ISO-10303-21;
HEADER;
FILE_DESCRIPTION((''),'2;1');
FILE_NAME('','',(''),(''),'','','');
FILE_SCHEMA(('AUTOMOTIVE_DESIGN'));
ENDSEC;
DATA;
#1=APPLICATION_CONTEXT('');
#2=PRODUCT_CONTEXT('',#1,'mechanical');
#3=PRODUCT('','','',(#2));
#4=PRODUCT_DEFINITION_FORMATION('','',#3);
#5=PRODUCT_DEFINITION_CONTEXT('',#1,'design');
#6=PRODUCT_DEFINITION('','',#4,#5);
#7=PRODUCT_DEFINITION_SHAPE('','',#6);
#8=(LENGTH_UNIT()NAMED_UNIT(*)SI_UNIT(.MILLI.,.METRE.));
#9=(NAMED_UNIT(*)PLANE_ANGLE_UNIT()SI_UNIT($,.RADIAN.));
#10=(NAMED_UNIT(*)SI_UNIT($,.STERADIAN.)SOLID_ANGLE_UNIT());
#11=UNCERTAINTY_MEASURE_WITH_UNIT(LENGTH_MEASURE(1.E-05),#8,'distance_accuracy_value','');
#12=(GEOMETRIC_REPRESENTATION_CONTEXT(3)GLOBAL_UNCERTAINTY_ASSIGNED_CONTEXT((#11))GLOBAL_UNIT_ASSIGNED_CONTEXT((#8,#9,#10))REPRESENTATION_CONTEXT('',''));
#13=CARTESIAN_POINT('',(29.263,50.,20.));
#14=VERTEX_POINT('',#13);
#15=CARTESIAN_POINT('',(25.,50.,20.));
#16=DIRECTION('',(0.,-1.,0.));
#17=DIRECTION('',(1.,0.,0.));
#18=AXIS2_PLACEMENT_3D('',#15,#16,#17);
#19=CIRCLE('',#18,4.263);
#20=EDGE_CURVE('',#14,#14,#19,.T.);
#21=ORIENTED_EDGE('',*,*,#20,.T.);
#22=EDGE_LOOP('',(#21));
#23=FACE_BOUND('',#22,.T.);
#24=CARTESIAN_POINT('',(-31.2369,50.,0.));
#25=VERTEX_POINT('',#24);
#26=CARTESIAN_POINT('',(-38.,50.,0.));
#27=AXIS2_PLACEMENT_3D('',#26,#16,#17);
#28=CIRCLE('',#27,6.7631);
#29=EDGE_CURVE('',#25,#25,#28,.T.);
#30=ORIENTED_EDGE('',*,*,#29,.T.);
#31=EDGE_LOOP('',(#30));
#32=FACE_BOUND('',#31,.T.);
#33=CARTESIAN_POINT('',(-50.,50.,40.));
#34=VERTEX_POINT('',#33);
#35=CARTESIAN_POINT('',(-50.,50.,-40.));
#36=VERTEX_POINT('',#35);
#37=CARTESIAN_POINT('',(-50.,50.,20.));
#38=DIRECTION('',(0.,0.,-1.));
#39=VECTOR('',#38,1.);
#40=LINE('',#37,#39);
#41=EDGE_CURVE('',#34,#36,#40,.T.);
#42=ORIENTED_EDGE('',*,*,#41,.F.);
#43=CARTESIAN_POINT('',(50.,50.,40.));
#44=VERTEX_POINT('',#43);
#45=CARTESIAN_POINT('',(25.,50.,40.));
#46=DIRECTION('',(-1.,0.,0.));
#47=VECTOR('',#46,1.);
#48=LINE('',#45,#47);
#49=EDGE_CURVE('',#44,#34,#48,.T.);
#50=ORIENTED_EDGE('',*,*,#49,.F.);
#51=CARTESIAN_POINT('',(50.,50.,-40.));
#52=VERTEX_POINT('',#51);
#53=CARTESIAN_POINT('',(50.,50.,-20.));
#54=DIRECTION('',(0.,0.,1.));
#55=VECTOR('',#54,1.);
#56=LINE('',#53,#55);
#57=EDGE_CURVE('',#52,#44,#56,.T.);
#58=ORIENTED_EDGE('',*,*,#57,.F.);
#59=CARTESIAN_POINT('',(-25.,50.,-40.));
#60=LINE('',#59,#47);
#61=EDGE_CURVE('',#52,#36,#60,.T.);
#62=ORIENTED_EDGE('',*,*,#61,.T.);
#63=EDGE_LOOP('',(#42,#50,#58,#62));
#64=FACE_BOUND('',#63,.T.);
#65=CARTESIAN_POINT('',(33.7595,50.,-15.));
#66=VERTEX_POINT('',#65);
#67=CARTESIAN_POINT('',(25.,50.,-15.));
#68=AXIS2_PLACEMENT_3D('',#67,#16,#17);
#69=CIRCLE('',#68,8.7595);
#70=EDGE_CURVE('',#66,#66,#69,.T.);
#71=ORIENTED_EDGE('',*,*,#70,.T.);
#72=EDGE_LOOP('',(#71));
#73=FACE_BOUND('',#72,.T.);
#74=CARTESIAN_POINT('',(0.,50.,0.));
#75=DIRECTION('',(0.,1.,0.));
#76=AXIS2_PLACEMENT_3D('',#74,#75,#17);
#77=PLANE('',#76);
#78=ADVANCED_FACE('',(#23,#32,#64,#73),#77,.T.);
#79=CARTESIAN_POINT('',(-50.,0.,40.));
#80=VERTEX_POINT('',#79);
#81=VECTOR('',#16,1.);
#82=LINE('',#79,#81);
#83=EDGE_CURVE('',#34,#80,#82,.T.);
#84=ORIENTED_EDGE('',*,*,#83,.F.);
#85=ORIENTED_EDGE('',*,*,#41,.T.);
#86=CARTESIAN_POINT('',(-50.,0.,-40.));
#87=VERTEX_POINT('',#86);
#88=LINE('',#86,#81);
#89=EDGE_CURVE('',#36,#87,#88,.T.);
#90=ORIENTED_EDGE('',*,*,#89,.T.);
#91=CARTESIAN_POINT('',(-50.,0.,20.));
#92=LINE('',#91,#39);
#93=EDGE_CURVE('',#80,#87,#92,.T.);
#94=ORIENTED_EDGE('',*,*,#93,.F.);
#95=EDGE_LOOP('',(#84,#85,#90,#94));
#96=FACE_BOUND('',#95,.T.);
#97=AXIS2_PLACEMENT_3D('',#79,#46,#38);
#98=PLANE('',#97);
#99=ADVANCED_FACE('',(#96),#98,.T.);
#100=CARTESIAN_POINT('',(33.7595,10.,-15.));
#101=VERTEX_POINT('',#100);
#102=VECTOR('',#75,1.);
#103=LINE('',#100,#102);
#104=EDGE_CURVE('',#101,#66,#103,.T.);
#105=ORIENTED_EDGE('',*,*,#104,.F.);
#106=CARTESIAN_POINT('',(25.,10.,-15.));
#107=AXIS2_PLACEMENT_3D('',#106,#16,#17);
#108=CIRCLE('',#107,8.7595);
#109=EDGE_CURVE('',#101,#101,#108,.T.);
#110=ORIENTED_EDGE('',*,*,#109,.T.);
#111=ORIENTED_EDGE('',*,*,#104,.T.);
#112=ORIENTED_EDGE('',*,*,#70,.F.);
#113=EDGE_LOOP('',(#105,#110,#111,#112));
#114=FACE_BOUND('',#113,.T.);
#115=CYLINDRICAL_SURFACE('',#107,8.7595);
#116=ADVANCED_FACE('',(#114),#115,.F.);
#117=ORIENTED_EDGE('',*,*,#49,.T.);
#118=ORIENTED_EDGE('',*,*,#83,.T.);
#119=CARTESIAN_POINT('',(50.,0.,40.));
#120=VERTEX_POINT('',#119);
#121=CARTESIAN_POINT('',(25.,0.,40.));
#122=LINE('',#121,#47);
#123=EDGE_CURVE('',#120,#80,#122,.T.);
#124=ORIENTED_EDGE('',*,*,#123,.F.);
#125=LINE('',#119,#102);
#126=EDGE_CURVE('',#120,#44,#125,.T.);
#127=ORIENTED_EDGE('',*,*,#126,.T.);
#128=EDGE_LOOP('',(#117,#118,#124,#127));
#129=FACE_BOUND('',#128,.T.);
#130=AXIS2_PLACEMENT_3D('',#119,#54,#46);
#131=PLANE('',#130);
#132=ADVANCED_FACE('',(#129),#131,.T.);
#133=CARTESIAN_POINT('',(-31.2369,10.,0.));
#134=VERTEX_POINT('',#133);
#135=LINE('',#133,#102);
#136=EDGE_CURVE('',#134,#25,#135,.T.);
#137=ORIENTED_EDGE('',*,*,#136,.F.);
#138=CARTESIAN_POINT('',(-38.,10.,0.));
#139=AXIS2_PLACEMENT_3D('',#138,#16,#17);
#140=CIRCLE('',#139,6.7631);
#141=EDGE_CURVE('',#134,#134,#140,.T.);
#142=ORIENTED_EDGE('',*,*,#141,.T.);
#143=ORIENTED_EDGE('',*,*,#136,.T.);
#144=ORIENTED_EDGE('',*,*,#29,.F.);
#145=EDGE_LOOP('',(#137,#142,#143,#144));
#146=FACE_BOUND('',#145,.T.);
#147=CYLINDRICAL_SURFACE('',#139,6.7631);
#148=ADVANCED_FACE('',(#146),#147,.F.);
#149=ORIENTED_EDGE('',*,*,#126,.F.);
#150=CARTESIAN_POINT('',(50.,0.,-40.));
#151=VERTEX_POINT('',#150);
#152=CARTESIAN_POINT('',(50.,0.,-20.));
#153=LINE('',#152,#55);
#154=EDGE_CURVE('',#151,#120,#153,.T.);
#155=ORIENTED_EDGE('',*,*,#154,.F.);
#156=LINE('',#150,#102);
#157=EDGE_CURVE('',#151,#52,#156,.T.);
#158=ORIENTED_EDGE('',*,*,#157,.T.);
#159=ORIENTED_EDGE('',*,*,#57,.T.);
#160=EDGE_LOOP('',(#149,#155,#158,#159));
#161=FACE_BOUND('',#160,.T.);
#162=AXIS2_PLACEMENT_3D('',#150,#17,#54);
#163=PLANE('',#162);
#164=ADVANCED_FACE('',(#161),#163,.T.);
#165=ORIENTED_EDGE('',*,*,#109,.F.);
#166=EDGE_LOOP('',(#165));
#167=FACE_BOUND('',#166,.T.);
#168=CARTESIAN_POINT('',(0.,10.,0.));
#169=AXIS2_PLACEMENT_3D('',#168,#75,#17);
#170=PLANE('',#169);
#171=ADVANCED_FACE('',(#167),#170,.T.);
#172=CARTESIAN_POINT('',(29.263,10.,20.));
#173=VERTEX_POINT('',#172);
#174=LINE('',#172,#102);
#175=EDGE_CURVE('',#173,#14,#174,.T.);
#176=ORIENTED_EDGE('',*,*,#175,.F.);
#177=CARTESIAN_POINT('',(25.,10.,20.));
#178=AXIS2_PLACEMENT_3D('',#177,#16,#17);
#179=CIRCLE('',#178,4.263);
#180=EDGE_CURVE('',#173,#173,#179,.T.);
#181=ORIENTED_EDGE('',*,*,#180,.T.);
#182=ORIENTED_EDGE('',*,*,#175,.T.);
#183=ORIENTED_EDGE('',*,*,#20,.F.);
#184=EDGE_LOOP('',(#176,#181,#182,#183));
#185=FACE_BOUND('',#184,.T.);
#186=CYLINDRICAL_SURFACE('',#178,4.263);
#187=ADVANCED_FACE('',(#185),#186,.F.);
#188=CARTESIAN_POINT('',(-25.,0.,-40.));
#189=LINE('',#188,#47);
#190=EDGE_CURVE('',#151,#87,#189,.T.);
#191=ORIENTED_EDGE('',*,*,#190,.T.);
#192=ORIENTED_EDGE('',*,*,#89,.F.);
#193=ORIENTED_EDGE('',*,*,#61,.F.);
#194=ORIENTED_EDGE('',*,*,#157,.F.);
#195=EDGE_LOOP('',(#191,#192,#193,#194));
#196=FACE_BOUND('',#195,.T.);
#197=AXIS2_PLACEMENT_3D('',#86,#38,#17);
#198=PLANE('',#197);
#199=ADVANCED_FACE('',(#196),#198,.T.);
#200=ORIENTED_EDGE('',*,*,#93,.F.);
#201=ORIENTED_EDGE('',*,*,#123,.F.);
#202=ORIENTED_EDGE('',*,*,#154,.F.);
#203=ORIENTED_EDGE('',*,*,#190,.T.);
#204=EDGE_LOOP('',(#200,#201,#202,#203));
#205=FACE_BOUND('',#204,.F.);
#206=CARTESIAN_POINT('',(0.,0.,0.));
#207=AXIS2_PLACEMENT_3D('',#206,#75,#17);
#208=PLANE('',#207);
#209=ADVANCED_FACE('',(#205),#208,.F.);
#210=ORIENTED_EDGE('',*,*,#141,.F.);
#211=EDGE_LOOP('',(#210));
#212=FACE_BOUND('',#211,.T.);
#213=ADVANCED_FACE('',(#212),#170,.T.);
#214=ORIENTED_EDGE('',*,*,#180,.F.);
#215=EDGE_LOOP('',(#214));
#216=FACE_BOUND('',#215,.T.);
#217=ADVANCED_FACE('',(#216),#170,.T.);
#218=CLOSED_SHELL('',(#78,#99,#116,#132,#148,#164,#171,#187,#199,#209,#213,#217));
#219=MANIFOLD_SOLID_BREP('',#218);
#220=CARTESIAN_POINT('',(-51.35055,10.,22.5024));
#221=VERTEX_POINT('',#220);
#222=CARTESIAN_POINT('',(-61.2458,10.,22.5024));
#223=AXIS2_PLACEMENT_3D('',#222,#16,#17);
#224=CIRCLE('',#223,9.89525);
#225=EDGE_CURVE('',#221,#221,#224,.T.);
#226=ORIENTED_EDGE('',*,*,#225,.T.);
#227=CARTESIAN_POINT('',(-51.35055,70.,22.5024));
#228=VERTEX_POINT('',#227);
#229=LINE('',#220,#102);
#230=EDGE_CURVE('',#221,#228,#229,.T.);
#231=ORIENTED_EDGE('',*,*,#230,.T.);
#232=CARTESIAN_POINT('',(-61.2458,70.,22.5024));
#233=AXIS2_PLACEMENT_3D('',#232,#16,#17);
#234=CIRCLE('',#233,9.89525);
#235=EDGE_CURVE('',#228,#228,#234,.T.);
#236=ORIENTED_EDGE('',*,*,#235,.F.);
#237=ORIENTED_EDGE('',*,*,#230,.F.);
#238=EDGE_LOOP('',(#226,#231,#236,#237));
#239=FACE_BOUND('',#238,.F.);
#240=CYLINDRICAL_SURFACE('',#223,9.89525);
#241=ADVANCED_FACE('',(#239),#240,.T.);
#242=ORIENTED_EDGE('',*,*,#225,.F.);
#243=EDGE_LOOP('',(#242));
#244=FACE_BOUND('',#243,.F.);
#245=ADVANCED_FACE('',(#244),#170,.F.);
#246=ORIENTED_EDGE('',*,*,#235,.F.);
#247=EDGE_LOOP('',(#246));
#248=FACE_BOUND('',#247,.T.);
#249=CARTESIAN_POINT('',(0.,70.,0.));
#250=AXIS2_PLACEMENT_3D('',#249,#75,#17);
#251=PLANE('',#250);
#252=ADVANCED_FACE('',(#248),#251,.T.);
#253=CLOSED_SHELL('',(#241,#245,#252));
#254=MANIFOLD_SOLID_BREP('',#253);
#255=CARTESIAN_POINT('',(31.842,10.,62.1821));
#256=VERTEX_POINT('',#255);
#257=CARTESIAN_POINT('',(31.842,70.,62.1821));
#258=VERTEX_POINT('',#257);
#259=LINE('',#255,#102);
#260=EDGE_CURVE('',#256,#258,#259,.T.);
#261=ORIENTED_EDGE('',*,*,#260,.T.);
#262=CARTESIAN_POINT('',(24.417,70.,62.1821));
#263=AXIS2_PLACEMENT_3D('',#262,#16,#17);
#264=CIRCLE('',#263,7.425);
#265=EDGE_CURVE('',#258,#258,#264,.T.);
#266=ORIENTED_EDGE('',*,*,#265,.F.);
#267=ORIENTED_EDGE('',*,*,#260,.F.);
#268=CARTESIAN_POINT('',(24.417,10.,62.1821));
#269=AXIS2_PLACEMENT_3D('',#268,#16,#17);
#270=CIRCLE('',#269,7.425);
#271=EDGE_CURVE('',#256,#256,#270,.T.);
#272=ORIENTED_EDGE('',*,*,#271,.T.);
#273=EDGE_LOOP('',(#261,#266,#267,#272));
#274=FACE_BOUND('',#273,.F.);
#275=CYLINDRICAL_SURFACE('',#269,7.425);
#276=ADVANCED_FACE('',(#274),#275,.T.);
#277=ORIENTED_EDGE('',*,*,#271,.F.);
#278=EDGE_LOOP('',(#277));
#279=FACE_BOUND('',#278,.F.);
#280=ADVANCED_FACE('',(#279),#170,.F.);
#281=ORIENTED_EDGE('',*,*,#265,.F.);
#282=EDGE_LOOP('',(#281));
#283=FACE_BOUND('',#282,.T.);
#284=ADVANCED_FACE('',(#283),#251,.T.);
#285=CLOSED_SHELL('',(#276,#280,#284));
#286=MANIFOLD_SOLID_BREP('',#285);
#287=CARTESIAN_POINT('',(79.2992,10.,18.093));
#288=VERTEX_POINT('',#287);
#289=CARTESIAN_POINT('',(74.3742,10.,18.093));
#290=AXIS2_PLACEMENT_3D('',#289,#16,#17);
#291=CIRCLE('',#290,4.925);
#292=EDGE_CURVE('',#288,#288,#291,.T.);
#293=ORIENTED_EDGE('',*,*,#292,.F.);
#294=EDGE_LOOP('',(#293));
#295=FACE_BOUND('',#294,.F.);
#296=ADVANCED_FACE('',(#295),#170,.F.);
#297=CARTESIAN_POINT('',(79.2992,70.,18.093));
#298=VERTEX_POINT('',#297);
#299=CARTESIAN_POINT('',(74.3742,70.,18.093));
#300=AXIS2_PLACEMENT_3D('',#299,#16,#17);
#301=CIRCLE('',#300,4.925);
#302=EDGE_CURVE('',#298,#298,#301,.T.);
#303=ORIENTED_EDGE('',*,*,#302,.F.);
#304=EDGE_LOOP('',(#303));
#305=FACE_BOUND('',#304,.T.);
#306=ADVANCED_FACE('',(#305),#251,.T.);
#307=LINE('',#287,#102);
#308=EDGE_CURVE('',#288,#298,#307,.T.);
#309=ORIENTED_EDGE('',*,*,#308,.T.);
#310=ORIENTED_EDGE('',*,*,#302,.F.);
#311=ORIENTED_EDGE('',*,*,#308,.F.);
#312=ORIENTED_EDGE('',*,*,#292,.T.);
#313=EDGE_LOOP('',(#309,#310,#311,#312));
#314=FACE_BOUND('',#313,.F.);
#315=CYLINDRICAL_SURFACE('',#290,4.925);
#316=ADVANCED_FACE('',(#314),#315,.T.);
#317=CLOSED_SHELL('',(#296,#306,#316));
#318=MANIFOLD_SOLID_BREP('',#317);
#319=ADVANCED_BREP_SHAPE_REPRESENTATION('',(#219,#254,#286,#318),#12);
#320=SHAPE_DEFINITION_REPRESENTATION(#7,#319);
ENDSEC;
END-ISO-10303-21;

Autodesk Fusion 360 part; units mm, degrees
sketch "Sketch1" plane through (0, 0, 0) normal (0, 1, 0) x (1, 0, 0)
  line L0 (50, -40) -> (-50, -40)
  line L1 (-50, -40) -> (-50, 40)
  line L2 (-50, 40) -> (50, 40)
  line L3 (50, 40) -> (50, -40)
  line L4 (50, -40) -> (-50, 40) construction
  line L5 (-50, -40) -> (50, 40) construction
  dimension "d1" = 80
  dimension "d2" = 100
extrude "Extrude1" add sketch "Sketch1" along normal blind 50 makes body 1
ref_plane "WorkPlane1" through (0, 10, 0) normal (0, 1, 0) x (0, 0, 1)
sketch "Hole" plane through (0, 10, 0) normal (0, 1, 0) x (1, 0, 0)
  circle A0 centre (25, -20) radius 5
  circle A1 centre (-38, 0) radius 7.5
  circle A2 centre (25, 15) radius 10
  line L0 (-50, 40) -> (50, 40)
  line L1 (50, 40) -> (50, -40)
  line L2 (50, -40) -> (-50, -40)
  line L3 (-50, -40) -> (-50, 40)
  line L4 (50, -40) -> (-50, 40)
  dimension "d6" = 10
  dimension "d7" = 15
  dimension "d8" = 20
  dimension "d30" = 25
  dimension "d31" = 25
  dimension "d32" = 20
  dimension "d33" = 12
extrude "Extrude5" cut sketch "Hole" along normal blind 60 contours A2 bodies 1
extrude "Extrude6" cut sketch "Hole" along normal blind 60 contours A0 L4 | A0 L4 bodies 1
extrude "Extrude7" cut sketch "Hole" along normal blind 60 contours A1 bodies 1
sketch "Rod" plane through (0, 10, 0) normal (0, 1, 0) x (1, 0, 0)
  circle A0 centre (74.3742, -18.093) radius 5
  circle A1 centre (24.417, -62.1821) radius 7.5
  circle A2 centre (-61.2458, -22.5024) radius 10
  dimension "d21" = 10
  dimension "d22" = 15
  dimension "d23" = 20
extrude "Extrude8" add sketch "Rod" along normal blind 60 separate body contours A0 makes body 2
extrude "Extrude9" add sketch "Rod" along normal blind 60 separate body contours A1 makes body 3
extrude "Extrude10" add sketch "Rod" along normal blind 60 separate body contours A2 makes body 4
copy_body "Body->Comp1" bodies 1 removing the originals makes body 5 in component "Block"
copy_body "Body->Comp2" bodies 2 removing the originals makes body 6 in component "Rod 1"
copy_body "Body->Comp3" bodies 3 removing the originals makes body 7 in component "Rod 2"
copy_body "Body->Comp4" bodies 4 removing the originals makes body 8 in component "Rod 3"
thread "Thread1" "ISO Metric profile 15.0 M15x1.5 6H" major diameter 15.2033 minor diameter 13.5262 pitch 1.5 angle 60 resizes the face on face at (-30.5373, 36.6667, -0.7468) on bodies 5 in component "Block"
thread "Thread2" "ISO Metric profile 20.0 M20x2.5 6H" major diameter 20.2925 minor diameter 17.519 pitch 2.5 angle 60 resizes the face on face at (34.9876, 23.3333, -15.4985) on bodies 5 in component "Block"
thread "Thread3" "ISO Metric profile 10.0 M10x1.5 6H" major diameter 10.198 minor diameter 8.526 pitch 1.5 angle 60 resizes the face on face at (29.9938, 23.3333, 19.7508) on bodies 5 in component "Block"
thread "Thread1'" "ISO Metric profile 10.0 M10x1.5 6g" major diameter 9.85 minor diameter 8.141 pitch 1.5 angle 60 resizes the face on face at (79.3494, 50, 18.5909) on bodies 6 in component "Rod 1"
thread "Thread1''" "ISO Metric profile 15.0 M15x1.5 6g" major diameter 14.85 minor diameter 13.1369 pitch 1.5 angle 60 resizes the face on face at (31.8798, 50, 62.9289) on bodies 7 in component "Rod 2"
thread "Thread1'''" "ISO Metric profile 20.0 M20x2.5 6g" major diameter 19.7905 minor diameter 16.938 pitch 2.5 angle 60 resizes the face on face at (-51.2955, 50, 23.4981) on bodies 8 in component "Rod 3"
component "Block" placed x (1, 0, 0) y (0, 1, 0) z (0, 0, 1) at (0, 0, 0)
component "Rod 1" placed x (1, 0, 0) y (0, 1, 0) z (0, 0, 1) at (0, 0, 0)
component "Rod 2" placed x (1, 0, 0) y (0, 1, 0) z (0, 0, 1) at (0, 0, 0)
component "Rod 3" placed x (1, 0, 0) y (0, 1, 0) z (0, 0, 1) at (0, 0, 0)
